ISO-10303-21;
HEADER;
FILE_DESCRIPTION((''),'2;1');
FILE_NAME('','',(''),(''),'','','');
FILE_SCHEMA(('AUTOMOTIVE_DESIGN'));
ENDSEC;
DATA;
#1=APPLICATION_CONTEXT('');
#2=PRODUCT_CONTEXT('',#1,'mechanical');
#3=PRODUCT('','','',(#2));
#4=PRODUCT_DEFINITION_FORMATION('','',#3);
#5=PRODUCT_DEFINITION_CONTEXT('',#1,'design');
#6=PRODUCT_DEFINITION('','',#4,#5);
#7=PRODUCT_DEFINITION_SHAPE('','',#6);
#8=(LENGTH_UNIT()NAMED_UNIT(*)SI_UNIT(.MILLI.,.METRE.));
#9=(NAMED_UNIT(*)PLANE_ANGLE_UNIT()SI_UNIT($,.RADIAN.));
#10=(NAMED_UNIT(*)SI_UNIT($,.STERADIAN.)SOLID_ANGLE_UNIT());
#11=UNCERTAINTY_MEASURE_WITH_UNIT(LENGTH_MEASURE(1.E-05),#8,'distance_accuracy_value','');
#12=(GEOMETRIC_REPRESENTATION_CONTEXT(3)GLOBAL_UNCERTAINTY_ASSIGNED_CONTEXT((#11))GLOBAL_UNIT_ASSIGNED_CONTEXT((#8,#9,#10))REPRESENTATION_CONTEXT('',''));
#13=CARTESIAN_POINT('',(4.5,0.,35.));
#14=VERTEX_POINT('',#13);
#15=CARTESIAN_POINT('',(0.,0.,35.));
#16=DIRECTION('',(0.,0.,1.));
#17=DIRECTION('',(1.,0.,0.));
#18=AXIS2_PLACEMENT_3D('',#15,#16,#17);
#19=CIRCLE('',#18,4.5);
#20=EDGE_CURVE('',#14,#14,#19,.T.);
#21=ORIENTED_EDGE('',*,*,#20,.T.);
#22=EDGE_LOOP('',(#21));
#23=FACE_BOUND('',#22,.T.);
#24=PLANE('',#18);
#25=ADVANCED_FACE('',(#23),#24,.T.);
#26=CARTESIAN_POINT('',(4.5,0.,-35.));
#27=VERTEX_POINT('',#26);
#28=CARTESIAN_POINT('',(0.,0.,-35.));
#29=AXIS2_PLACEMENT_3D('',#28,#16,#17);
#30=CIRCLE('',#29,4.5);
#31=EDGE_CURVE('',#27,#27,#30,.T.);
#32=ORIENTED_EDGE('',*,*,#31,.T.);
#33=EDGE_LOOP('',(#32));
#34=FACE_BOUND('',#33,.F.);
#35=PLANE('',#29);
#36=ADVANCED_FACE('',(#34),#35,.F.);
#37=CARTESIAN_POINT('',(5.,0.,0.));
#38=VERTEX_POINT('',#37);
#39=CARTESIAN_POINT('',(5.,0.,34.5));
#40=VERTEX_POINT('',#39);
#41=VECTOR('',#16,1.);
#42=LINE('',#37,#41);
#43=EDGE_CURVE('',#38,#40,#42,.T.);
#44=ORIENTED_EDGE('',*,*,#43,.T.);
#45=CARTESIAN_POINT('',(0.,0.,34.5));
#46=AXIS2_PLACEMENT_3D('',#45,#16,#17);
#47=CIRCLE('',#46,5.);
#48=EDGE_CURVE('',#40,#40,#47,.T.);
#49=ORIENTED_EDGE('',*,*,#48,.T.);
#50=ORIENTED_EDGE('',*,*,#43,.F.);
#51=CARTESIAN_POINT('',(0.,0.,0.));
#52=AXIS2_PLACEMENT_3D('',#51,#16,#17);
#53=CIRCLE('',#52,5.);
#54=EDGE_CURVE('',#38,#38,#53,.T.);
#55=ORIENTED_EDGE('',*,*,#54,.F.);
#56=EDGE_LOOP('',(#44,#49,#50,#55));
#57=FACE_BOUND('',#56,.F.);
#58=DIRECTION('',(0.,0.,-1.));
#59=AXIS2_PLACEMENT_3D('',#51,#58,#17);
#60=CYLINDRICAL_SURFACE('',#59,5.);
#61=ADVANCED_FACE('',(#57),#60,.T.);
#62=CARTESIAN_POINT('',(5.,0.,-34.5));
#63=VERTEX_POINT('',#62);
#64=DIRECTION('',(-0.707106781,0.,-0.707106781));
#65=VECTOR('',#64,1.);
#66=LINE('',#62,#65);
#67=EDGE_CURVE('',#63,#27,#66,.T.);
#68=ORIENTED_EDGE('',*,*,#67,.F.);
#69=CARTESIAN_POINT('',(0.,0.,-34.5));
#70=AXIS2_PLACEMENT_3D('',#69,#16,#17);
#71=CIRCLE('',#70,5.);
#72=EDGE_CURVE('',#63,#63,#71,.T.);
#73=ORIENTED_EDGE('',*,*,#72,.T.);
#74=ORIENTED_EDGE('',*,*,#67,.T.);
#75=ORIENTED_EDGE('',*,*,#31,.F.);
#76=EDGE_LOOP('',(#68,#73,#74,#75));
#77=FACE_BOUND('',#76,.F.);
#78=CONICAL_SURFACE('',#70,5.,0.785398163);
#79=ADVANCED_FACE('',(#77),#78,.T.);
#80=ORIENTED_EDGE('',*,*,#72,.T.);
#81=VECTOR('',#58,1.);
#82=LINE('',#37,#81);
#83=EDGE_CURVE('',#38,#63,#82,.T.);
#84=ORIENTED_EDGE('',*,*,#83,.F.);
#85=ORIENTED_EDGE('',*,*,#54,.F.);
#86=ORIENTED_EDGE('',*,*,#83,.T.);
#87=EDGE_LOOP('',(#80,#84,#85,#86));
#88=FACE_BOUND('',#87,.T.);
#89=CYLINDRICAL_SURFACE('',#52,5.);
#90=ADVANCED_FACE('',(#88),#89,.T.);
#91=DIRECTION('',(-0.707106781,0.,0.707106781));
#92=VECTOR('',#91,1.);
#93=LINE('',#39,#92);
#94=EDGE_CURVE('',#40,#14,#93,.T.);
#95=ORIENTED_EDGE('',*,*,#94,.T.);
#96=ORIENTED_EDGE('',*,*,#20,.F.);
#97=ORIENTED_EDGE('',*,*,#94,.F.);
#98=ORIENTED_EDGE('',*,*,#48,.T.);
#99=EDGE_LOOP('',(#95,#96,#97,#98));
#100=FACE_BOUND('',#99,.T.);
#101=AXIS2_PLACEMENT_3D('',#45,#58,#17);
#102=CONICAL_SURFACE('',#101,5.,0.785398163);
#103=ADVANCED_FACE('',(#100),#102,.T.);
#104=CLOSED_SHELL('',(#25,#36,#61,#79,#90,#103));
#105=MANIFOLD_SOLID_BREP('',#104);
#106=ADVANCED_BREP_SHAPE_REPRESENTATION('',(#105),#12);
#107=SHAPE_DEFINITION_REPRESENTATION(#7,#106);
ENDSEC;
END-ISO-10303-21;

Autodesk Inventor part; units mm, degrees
ref_plane "YZ Plane" through (0, 0, 0) normal (1, 0, 0) x (0, 1, 0)
ref_plane "XZ Plane" through (0, 0, 0) normal (0, 1, 0) x (-1, 0, 0)
ref_plane "XY Plane" through (0, 0, 0) normal (0, 0, 1) x (1, 0, 0)
sketch "Schizzo1" plane through (0, 0, 0) normal (0, 0, 1) x (1, 0, 0)
  circle A0 centre (0, 0) radius 5
  dimension "d0" = 10
extrude "Estrusione1" add sketch "Schizzo1" along normal mid plane 70
chamfer "Smusso1" distance 0.5 angle 45 2 edges at (-5, 0, 35) (-5, 0, -35)
properties part number "Perno forcella" material "Acciaio inossidabile"
